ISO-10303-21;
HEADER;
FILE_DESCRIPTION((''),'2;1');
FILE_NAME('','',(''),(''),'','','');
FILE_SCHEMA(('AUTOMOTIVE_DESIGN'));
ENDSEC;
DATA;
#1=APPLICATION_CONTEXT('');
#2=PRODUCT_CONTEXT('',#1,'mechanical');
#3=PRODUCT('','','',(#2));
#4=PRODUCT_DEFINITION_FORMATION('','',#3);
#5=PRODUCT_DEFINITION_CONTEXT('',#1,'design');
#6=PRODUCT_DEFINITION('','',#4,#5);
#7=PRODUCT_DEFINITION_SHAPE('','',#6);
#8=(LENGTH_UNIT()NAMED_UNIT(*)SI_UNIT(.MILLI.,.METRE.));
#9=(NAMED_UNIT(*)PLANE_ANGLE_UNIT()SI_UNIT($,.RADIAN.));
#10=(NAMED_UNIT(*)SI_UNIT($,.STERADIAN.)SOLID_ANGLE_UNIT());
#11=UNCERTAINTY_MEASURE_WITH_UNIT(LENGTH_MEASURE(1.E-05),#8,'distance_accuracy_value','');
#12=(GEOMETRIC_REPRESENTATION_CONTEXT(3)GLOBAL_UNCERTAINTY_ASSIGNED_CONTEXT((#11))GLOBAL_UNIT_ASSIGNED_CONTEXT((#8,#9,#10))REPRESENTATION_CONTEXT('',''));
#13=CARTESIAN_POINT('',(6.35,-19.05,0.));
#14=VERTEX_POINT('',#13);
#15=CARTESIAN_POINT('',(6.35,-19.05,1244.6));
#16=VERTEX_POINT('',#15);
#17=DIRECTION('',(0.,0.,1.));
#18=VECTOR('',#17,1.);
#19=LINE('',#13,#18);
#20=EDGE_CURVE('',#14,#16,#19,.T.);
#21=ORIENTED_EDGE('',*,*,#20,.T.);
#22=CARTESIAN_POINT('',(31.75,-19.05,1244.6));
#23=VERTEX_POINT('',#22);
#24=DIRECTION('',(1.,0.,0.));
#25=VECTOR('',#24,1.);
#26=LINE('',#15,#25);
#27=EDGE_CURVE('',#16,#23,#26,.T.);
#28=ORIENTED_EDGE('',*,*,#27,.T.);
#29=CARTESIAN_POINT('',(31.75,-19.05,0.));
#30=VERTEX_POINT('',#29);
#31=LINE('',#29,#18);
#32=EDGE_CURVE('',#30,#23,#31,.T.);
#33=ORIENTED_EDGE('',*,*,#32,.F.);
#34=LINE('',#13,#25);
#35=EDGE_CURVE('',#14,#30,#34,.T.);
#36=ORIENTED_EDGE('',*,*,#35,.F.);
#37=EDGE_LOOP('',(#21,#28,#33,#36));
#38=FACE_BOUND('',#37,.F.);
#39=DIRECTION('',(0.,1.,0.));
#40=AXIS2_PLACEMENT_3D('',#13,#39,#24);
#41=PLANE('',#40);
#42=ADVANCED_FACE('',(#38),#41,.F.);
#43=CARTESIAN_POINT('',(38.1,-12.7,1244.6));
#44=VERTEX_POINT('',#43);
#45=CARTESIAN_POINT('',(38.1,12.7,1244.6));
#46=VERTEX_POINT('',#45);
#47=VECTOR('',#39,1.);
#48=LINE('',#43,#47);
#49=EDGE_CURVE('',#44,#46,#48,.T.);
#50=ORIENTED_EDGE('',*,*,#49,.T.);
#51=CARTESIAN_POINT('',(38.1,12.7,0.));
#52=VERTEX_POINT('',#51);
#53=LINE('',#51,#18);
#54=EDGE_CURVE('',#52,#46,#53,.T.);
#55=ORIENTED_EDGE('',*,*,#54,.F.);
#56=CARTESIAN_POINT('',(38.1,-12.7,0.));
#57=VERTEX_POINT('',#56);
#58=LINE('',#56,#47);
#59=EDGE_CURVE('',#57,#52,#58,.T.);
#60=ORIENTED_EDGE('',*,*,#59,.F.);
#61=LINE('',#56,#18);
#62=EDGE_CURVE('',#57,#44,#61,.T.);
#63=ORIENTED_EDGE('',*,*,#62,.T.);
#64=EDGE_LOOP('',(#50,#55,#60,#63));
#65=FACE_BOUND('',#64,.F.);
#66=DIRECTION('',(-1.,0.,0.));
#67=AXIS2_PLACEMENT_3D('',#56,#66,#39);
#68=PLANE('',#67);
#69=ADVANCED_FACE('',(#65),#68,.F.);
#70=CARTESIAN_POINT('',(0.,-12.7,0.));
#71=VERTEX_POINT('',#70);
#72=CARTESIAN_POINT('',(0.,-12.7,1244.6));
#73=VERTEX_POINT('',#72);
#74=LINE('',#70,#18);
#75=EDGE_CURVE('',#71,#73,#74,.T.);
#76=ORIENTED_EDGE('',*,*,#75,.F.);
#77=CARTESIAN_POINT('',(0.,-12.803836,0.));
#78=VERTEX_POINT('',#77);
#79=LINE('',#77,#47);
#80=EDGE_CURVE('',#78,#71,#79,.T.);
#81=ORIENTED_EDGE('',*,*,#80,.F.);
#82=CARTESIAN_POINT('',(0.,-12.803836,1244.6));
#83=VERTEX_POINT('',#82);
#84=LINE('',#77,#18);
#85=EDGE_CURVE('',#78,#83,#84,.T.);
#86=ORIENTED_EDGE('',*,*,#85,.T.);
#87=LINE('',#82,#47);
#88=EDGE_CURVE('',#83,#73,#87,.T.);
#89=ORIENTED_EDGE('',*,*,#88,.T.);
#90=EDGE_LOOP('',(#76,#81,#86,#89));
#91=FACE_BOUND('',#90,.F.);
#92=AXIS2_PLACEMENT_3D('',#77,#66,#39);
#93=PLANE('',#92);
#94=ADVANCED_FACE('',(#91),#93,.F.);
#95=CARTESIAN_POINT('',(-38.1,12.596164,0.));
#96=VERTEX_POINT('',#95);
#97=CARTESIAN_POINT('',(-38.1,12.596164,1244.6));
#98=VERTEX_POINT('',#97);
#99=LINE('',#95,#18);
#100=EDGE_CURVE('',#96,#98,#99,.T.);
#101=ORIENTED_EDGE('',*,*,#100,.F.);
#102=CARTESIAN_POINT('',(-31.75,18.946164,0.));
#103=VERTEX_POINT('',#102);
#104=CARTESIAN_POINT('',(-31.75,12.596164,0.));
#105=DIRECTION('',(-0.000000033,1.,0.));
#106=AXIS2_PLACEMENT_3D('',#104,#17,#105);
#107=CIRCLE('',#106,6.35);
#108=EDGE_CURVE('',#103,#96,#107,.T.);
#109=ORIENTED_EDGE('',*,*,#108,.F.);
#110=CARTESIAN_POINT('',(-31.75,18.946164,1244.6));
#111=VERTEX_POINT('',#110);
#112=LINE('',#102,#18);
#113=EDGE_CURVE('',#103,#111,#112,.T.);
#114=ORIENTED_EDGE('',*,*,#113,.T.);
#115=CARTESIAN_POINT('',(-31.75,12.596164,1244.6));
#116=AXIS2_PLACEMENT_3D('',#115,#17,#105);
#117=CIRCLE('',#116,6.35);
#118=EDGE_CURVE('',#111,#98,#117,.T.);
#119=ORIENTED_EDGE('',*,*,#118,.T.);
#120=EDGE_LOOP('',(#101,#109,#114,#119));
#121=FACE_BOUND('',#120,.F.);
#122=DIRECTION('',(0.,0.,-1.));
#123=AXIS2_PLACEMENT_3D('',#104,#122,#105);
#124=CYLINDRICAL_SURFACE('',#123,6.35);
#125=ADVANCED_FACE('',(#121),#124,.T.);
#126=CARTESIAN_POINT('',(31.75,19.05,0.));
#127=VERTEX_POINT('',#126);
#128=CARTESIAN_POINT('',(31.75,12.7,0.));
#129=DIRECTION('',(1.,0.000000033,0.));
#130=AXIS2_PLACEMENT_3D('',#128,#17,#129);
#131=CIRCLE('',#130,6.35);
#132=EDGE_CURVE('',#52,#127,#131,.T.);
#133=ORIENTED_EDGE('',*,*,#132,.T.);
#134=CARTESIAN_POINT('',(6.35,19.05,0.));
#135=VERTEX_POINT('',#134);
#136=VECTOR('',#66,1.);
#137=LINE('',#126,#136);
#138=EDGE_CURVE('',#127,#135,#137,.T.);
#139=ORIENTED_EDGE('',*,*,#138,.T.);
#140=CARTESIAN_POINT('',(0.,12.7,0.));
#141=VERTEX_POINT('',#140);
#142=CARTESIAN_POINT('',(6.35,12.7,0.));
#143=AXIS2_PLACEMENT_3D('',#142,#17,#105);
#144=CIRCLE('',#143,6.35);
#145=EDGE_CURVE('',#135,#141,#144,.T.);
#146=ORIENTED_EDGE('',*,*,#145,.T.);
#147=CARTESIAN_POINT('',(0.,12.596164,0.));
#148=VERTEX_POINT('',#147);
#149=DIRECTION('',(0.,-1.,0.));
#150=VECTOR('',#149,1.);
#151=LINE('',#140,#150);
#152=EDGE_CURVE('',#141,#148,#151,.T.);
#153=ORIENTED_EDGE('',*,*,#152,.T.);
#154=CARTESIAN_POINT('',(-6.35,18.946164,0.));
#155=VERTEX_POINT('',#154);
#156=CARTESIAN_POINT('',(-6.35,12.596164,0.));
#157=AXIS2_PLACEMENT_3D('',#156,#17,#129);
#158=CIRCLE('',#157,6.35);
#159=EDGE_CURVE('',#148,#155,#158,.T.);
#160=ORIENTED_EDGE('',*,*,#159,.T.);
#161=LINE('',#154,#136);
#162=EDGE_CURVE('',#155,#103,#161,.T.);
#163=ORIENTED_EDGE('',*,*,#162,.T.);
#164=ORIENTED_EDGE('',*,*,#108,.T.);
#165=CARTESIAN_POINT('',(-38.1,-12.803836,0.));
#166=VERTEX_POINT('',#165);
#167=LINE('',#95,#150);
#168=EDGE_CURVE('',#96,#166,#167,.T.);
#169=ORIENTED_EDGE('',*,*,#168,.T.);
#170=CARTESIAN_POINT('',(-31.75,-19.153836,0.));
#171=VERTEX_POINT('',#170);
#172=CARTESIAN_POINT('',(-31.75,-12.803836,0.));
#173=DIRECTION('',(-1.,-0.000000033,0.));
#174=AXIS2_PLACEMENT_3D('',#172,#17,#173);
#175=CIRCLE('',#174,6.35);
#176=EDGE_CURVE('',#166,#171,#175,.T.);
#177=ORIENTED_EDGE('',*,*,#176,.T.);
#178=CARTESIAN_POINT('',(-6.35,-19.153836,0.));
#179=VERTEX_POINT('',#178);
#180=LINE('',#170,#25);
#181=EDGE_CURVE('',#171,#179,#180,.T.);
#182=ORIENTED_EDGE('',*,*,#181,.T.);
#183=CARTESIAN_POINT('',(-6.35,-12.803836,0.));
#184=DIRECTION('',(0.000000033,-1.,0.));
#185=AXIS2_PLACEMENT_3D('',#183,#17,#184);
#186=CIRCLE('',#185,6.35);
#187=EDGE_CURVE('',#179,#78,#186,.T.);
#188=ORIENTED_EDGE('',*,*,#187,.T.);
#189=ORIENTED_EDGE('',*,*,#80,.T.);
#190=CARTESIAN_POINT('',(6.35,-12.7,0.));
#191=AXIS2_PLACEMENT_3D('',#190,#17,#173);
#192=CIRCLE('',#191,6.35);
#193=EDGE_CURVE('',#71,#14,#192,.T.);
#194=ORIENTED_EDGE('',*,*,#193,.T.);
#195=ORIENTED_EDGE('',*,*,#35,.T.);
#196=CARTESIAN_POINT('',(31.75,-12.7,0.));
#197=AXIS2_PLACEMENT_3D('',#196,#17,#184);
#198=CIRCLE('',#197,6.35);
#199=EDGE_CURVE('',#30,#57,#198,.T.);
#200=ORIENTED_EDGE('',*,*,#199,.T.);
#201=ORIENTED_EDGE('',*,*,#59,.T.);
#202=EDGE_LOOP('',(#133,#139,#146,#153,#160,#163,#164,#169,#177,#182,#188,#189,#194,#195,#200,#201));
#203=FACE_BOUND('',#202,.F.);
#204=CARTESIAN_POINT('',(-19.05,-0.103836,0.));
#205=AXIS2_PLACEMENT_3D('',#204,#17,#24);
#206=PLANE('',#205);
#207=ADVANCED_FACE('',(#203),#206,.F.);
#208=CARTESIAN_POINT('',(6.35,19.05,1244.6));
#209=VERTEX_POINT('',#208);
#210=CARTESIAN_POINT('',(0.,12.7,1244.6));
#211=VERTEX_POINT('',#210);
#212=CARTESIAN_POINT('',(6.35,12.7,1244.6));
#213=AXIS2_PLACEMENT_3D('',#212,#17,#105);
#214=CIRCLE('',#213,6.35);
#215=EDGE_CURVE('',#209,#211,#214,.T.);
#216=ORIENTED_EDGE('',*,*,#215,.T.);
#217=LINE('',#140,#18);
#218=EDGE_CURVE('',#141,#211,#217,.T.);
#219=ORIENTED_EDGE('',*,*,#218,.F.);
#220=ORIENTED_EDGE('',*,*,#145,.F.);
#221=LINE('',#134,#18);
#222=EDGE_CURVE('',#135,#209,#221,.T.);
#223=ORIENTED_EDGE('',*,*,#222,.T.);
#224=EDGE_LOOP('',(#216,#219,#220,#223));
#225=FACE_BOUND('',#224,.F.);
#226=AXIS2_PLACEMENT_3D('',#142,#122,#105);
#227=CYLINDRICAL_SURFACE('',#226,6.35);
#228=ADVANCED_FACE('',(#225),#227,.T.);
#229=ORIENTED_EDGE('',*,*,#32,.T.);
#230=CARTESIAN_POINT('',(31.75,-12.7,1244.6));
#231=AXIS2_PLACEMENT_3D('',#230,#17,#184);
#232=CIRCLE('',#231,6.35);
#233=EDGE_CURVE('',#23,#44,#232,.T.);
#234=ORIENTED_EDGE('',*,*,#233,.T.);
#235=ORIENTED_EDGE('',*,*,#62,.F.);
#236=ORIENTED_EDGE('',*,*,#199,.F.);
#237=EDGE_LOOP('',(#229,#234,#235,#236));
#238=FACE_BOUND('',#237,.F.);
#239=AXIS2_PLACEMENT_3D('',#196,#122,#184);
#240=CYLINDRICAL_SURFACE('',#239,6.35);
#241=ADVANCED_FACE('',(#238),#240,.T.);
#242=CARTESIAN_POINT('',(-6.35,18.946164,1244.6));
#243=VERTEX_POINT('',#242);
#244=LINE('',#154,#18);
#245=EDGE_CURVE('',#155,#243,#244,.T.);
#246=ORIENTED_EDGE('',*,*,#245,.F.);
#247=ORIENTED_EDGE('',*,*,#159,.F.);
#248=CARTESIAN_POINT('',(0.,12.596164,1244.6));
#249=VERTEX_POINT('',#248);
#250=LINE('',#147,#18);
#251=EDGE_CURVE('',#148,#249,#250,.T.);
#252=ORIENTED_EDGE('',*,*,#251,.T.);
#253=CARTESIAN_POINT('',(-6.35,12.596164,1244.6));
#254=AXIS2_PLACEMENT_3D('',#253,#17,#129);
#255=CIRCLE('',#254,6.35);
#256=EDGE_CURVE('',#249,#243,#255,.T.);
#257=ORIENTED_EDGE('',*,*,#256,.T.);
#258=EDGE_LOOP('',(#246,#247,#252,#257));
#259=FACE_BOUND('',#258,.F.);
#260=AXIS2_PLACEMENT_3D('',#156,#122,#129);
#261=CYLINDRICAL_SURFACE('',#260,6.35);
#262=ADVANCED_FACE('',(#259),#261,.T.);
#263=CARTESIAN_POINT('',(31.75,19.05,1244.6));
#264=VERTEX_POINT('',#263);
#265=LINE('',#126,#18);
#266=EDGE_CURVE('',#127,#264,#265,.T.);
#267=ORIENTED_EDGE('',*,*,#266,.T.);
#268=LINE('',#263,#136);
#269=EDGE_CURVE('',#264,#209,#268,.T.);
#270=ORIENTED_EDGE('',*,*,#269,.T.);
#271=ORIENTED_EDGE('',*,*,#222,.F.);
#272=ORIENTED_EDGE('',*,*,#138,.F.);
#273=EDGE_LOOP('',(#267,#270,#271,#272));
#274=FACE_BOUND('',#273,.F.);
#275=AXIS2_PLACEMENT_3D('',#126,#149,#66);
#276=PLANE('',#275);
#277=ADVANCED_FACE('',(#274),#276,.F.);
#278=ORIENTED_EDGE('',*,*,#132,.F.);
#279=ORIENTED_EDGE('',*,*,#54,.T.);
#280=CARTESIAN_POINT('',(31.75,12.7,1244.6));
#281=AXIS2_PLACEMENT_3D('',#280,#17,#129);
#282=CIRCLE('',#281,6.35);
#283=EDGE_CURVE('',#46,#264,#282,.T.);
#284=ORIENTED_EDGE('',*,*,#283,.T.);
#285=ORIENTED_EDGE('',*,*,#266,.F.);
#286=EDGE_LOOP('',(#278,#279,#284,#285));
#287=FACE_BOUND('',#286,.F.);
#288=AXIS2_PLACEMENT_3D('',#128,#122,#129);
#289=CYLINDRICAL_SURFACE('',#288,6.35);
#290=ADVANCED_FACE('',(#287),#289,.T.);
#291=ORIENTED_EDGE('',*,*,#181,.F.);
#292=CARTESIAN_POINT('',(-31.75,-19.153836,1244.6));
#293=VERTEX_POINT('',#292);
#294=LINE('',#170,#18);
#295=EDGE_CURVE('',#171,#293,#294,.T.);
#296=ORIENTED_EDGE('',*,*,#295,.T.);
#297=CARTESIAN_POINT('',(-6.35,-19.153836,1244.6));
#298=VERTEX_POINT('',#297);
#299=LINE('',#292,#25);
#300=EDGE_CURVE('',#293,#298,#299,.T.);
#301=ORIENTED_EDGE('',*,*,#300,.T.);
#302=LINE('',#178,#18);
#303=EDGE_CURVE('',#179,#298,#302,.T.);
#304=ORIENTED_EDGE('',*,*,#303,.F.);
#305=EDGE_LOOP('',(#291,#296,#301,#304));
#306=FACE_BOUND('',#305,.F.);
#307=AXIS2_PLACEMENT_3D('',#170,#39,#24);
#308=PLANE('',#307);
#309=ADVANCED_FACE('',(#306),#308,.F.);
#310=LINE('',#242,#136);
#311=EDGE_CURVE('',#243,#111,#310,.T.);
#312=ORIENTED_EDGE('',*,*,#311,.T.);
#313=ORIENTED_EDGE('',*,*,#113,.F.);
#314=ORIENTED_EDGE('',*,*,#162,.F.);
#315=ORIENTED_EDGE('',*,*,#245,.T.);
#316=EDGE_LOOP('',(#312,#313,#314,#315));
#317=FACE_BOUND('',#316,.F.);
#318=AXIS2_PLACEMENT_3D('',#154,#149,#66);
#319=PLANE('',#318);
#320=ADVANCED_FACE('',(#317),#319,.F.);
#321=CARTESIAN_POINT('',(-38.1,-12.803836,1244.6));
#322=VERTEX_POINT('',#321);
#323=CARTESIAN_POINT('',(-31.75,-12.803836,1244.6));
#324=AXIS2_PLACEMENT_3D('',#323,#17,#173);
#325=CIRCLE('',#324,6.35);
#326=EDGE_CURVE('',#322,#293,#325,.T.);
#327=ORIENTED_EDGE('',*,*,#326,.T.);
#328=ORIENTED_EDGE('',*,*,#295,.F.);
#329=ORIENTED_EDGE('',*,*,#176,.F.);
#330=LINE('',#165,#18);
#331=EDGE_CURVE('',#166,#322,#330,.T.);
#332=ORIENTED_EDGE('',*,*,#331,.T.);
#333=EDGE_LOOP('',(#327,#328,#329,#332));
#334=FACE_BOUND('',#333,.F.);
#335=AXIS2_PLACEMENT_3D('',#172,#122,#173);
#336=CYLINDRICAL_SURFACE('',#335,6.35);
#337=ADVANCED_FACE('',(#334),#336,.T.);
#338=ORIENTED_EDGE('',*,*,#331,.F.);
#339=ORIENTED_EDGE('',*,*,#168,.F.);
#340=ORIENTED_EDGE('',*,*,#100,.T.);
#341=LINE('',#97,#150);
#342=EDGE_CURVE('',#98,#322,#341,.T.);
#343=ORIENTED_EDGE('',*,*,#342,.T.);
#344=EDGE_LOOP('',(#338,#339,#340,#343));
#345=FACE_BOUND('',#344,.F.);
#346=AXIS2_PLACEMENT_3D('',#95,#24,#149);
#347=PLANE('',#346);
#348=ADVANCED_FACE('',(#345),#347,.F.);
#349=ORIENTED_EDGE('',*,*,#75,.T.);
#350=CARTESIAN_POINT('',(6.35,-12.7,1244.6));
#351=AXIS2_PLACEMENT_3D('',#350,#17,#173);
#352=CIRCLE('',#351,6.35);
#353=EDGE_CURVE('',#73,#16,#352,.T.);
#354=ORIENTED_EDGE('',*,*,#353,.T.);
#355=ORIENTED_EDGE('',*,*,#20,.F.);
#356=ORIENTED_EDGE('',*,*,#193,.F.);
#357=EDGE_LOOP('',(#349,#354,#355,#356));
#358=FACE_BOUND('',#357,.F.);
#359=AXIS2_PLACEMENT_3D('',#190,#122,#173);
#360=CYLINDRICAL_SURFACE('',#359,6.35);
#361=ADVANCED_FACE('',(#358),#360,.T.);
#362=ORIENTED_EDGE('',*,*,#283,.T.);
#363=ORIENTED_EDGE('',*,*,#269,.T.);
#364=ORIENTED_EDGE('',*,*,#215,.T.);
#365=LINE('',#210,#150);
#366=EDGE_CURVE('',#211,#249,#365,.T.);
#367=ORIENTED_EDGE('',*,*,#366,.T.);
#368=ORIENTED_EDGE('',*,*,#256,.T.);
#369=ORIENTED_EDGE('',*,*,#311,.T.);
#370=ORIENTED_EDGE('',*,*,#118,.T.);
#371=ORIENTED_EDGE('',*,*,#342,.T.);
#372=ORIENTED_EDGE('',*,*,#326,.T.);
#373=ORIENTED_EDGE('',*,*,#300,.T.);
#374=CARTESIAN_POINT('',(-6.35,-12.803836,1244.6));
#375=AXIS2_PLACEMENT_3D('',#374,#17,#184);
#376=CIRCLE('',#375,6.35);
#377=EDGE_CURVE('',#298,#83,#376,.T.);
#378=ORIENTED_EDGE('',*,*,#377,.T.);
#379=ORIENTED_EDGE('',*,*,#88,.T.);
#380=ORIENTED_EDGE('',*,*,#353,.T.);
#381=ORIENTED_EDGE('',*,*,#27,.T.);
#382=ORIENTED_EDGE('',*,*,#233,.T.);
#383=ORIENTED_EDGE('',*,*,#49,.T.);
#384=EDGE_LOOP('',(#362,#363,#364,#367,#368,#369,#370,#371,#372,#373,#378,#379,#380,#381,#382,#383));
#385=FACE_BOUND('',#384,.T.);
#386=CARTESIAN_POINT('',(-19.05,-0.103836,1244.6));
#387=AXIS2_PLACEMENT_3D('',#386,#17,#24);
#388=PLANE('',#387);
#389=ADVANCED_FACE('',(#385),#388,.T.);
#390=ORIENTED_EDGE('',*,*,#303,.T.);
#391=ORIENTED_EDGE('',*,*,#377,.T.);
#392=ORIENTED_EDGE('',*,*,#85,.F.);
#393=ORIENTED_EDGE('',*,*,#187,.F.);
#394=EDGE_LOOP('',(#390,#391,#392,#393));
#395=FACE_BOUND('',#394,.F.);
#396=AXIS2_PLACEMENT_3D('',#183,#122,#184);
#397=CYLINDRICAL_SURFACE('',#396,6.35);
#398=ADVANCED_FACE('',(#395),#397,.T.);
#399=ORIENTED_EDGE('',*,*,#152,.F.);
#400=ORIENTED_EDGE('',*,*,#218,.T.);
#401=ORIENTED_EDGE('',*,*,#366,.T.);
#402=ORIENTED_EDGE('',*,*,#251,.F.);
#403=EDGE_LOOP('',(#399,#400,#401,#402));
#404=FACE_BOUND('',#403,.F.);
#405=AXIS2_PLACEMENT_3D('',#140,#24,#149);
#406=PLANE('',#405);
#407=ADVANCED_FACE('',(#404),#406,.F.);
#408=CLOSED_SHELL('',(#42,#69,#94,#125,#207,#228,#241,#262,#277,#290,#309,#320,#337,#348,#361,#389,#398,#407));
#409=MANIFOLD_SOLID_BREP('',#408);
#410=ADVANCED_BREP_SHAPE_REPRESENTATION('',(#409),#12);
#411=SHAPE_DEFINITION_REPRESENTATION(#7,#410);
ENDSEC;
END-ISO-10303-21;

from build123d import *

# Parameters (mm, degrees)
F1_DEPTH = 1244.6


with BuildPart() as f1:
    # F0 (on Top) → F1 (new body)
    with BuildSketch(Plane.XY):
        with BuildLine():
            ThreePointArc((0, 12.596164), (-1.859872, 17.086292), (-6.35, 18.946164))
            Line((-6.35, 18.946164), (-31.75, 18.946164))
            ThreePointArc((-31.75, 18.946164), (-36.240128, 17.086292), (-38.1, 12.596164))
            Line((-38.1, 12.596164), (-38.1, -12.803836))
            ThreePointArc((-38.1, -12.803836), (-36.240128, -17.293964), (-31.75, -19.153836))
            Line((-31.75, -19.153836), (-6.35, -19.153836))
            ThreePointArc((-6.35, -19.153836), (-1.859872, -17.293964), (0, -12.803836))
            Line((0, -12.803836), (0, -12.7))
            Line((0, -12.7), (0, 12.596164))
        make_face()
        with BuildLine():
            Line((0, 12.7), (0, 12.596164))
            Line((0, 12.596164), (0, -12.7))
            ThreePointArc((0, -12.7), (1.859872, -17.190128), (6.35, -19.05))
            Line((6.35, -19.05), (31.75, -19.05))
            ThreePointArc((31.75, -19.05), (36.240128, -17.190128), (38.1, -12.7))
            Line((38.1, -12.7), (38.1, 12.7))
            ThreePointArc((38.1, 12.7), (36.240128, 17.190128), (31.75, 19.05))
            Line((31.75, 19.05), (6.35, 19.05))
            ThreePointArc((6.35, 19.05), (1.859872, 17.190128), (0, 12.7))
        make_face()
    extrude(amount=F1_DEPTH)


solid = f1.part
